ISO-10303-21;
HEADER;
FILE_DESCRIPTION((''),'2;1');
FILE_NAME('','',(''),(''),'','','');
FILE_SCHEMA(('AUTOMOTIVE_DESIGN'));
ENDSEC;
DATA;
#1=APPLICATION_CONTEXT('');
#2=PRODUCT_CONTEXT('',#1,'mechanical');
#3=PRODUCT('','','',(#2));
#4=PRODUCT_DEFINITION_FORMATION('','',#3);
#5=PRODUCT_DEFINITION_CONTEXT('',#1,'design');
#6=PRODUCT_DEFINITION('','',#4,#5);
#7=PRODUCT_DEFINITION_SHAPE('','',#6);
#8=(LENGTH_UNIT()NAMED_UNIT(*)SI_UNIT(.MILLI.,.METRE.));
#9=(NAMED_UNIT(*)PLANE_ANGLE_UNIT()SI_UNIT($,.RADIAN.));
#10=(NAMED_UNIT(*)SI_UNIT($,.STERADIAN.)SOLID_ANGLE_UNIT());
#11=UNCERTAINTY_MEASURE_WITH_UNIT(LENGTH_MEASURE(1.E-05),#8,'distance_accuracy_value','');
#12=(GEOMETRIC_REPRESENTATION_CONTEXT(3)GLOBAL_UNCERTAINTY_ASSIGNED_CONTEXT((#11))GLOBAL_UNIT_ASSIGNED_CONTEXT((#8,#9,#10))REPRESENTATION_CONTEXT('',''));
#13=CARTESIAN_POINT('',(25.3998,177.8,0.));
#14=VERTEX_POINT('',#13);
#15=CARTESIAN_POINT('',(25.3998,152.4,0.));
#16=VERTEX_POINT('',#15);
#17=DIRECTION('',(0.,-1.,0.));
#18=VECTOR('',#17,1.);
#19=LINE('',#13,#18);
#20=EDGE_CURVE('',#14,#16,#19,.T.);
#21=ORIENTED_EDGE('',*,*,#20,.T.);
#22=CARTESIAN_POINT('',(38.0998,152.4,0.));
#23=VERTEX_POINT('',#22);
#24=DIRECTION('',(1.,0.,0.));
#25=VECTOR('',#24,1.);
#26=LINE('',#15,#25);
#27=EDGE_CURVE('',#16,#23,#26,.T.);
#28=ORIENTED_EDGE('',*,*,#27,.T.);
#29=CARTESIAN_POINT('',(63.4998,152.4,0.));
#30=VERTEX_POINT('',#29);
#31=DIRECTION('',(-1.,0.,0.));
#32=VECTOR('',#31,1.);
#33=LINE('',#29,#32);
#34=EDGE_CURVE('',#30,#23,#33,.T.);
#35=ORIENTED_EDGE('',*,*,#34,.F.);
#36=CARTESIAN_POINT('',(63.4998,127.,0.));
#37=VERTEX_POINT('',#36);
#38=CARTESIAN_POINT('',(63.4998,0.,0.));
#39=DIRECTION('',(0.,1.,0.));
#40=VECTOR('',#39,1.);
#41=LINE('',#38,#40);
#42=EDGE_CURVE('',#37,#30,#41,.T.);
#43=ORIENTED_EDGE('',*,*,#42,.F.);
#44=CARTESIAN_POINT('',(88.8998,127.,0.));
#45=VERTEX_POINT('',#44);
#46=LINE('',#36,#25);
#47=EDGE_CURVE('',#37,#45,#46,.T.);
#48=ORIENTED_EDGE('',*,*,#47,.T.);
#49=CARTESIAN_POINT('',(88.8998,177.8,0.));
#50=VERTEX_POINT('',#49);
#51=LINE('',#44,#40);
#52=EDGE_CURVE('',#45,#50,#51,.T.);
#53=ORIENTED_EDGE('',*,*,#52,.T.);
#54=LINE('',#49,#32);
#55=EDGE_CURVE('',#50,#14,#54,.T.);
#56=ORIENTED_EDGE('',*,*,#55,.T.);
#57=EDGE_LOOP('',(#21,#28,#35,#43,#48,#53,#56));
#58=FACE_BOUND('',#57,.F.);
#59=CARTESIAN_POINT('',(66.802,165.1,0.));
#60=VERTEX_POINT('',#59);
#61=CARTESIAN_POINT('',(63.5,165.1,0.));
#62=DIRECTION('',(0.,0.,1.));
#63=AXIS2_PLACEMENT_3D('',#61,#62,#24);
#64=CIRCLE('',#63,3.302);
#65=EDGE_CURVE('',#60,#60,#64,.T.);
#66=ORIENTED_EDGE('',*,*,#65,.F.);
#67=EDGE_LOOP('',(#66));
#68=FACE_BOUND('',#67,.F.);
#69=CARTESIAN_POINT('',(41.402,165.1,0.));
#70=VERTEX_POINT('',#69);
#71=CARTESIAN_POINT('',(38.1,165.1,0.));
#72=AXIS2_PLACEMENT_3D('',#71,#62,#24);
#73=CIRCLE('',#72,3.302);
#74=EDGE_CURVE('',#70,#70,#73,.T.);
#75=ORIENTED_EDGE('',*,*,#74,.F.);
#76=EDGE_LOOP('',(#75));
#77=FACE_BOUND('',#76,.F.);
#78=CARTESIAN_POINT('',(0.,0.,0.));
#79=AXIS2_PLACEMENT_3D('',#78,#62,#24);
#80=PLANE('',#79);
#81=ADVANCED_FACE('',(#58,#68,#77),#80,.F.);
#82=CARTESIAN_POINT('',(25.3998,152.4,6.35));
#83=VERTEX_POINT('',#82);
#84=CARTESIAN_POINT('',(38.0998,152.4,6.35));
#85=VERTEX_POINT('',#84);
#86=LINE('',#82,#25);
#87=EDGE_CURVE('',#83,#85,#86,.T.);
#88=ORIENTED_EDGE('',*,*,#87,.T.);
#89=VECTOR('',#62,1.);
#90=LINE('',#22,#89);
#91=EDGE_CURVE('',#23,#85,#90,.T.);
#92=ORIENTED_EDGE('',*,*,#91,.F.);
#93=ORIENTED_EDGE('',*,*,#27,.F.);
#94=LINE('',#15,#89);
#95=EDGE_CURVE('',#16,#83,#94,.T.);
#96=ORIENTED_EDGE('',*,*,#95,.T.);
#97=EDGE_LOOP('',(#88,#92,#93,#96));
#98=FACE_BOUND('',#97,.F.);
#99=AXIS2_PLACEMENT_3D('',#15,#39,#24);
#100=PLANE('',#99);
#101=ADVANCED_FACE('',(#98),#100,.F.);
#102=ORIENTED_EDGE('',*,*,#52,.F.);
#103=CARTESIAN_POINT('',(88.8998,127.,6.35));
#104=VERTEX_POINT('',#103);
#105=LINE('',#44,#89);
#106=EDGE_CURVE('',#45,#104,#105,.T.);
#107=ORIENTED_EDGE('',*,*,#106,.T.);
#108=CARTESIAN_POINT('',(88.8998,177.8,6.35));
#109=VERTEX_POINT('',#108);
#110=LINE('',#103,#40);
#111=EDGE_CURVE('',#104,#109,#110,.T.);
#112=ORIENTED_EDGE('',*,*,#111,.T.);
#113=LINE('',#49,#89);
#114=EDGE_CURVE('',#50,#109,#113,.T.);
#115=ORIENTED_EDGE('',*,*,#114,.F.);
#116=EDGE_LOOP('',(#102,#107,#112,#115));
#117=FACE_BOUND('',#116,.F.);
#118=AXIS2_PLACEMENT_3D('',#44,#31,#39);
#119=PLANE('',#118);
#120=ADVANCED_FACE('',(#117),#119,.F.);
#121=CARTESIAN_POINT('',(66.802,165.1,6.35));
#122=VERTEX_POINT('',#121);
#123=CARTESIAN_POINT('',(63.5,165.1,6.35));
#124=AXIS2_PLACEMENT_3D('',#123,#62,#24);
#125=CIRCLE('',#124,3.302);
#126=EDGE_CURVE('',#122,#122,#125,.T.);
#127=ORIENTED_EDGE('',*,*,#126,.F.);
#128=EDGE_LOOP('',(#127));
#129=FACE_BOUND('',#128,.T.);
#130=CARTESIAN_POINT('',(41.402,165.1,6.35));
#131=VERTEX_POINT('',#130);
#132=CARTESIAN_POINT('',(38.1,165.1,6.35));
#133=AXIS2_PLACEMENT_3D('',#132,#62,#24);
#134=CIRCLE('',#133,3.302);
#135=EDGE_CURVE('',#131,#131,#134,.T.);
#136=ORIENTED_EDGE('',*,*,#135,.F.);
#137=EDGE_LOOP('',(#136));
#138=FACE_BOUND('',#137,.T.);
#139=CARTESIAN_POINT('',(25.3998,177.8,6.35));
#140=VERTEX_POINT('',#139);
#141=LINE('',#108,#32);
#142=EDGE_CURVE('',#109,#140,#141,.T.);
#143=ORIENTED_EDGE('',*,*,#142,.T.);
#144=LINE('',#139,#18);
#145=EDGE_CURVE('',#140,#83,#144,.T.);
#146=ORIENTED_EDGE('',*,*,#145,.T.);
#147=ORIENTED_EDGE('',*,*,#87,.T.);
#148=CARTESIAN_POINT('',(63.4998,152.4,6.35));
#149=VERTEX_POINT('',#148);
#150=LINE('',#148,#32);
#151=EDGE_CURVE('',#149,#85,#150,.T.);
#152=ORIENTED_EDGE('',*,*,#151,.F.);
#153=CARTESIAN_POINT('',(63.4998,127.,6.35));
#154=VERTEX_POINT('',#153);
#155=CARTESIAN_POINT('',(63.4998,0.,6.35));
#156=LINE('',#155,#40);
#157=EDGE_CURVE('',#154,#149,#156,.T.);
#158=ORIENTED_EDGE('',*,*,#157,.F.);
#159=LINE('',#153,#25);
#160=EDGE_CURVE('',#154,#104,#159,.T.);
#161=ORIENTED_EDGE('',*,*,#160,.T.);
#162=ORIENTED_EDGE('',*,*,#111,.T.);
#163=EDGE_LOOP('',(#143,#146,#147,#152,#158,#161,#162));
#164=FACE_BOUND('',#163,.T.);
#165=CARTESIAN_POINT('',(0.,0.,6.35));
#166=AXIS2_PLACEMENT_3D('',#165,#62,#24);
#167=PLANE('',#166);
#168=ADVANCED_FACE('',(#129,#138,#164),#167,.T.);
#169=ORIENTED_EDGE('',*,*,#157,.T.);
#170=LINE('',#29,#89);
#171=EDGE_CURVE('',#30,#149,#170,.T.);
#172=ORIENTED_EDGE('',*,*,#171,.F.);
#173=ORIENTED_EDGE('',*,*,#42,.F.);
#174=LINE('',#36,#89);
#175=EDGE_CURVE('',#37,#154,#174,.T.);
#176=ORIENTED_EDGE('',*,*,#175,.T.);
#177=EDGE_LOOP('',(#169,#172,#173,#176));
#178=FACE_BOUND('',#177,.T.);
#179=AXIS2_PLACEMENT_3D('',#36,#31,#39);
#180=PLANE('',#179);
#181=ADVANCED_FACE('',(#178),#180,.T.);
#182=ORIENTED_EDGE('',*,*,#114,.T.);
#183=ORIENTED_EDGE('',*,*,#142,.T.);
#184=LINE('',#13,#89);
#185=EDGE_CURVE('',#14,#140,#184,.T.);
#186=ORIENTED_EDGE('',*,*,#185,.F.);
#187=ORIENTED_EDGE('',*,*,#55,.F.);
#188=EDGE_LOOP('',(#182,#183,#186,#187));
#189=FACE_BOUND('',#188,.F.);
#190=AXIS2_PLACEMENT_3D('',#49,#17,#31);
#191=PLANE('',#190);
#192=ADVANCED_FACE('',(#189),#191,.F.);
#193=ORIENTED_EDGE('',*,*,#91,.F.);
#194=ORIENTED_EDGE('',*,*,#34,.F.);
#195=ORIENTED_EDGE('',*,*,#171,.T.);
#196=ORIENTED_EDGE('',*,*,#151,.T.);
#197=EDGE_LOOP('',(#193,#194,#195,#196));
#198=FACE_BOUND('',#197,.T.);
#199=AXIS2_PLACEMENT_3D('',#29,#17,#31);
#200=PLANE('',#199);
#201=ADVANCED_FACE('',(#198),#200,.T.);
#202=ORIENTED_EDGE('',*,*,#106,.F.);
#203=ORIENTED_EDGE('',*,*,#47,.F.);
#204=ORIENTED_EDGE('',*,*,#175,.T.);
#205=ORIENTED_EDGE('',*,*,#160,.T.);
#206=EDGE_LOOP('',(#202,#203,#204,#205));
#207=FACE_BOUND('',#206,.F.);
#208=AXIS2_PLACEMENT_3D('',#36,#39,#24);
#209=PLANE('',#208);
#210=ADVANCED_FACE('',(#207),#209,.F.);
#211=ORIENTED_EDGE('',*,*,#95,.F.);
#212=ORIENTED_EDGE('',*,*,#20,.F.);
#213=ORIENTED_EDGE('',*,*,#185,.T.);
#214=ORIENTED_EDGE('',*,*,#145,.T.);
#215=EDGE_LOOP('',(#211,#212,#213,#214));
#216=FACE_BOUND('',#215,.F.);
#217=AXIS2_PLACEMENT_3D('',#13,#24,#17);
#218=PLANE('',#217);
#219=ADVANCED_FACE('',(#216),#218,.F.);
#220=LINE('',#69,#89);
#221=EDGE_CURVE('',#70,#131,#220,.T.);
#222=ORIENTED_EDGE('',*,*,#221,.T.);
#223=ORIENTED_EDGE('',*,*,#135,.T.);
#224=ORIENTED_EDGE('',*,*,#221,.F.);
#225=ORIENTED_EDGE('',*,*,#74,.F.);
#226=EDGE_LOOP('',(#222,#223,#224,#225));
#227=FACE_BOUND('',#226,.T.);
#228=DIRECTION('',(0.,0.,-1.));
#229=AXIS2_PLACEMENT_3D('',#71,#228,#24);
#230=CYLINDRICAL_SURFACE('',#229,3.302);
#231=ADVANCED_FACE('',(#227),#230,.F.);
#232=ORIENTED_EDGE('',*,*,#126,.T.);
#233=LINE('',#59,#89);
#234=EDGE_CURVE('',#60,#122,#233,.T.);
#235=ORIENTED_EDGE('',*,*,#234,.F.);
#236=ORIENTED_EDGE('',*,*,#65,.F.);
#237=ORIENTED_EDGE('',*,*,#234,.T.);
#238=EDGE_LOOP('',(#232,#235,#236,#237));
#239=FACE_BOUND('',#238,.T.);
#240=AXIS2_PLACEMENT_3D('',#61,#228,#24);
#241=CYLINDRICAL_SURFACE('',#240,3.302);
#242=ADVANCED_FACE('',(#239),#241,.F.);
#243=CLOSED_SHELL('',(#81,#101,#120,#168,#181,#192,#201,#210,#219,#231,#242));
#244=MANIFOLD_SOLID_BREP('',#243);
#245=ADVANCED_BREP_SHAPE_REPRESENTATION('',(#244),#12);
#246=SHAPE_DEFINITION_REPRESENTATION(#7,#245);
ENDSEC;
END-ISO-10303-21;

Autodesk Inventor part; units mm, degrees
ref_plane "YZ Plane" through (0, 0, 0) normal (1, 0, 0) x (0, 1, 0)
ref_plane "XZ Plane" through (0, 0, 0) normal (0, 1, 0) x (-1, 0, 0)
ref_plane "XY Plane" through (0, 0, 0) normal (0, 0, 1) x (1, 0, 0)
sketch "Sketch1" plane through (0, 0, 0) normal (0, 0, 1) x (1, 0, 0)
  circle A0 centre (0, 0) radius 5.5 projected
  line L0 (12.6998, 0) -> (-114.3002, 0)
  line L1 (-114.3002, 0) -> (63.4998, 0)
  line L2 (63.4998, 0) -> (63.4998, -152.4)
  line L3 (63.4998, 0) -> (63.4998, 152.4)
  line L4 (63.4998, 152.4) -> (38.0998, 152.4)
  line L5 (63.4998, 152.4) -> (63.4998, 127)
  line L6 (63.4998, 127) -> (88.8998, 127)
  line L7 (88.8998, 127) -> (88.8998, 177.8)
  line L8 (88.8998, 177.8) -> (25.3998, 177.8)
  line L9 (25.3998, 177.8) -> (25.3998, 152.4)
  line L10 (25.3998, 152.4) -> (38.0998, 152.4)
  circle A1 centre (63.5, 165.1) radius 3.5 construction
  circle A2 centre (38.1, 165.1) radius 3.5 construction
  circle A3 centre (63.5, 165.1) radius 3.302
  circle A4 centre (38.1, 165.1) radius 3.302
  point P0 (0, 0)
  dimension "d0" = 127
  dimension "d1" = 177.8
  dimension "d2" = 152.4
  dimension "d3" = 152.4
  dimension "d4" = 25.4
  dimension "d5" = 25.4
  dimension "d6" = 25.4
  dimension "d7" = 50.8
  dimension "d8" = 63.5
  dimension "d11" = 6.604
  dimension "d12" = 6.604
extrude "Extrusion2" add sketch "Sketch1" along normal blind 6.35 contours L3 L4 L10 L9 L8 L7 L6
properties part number "vrRig_v08_12inBreadboardStop"
